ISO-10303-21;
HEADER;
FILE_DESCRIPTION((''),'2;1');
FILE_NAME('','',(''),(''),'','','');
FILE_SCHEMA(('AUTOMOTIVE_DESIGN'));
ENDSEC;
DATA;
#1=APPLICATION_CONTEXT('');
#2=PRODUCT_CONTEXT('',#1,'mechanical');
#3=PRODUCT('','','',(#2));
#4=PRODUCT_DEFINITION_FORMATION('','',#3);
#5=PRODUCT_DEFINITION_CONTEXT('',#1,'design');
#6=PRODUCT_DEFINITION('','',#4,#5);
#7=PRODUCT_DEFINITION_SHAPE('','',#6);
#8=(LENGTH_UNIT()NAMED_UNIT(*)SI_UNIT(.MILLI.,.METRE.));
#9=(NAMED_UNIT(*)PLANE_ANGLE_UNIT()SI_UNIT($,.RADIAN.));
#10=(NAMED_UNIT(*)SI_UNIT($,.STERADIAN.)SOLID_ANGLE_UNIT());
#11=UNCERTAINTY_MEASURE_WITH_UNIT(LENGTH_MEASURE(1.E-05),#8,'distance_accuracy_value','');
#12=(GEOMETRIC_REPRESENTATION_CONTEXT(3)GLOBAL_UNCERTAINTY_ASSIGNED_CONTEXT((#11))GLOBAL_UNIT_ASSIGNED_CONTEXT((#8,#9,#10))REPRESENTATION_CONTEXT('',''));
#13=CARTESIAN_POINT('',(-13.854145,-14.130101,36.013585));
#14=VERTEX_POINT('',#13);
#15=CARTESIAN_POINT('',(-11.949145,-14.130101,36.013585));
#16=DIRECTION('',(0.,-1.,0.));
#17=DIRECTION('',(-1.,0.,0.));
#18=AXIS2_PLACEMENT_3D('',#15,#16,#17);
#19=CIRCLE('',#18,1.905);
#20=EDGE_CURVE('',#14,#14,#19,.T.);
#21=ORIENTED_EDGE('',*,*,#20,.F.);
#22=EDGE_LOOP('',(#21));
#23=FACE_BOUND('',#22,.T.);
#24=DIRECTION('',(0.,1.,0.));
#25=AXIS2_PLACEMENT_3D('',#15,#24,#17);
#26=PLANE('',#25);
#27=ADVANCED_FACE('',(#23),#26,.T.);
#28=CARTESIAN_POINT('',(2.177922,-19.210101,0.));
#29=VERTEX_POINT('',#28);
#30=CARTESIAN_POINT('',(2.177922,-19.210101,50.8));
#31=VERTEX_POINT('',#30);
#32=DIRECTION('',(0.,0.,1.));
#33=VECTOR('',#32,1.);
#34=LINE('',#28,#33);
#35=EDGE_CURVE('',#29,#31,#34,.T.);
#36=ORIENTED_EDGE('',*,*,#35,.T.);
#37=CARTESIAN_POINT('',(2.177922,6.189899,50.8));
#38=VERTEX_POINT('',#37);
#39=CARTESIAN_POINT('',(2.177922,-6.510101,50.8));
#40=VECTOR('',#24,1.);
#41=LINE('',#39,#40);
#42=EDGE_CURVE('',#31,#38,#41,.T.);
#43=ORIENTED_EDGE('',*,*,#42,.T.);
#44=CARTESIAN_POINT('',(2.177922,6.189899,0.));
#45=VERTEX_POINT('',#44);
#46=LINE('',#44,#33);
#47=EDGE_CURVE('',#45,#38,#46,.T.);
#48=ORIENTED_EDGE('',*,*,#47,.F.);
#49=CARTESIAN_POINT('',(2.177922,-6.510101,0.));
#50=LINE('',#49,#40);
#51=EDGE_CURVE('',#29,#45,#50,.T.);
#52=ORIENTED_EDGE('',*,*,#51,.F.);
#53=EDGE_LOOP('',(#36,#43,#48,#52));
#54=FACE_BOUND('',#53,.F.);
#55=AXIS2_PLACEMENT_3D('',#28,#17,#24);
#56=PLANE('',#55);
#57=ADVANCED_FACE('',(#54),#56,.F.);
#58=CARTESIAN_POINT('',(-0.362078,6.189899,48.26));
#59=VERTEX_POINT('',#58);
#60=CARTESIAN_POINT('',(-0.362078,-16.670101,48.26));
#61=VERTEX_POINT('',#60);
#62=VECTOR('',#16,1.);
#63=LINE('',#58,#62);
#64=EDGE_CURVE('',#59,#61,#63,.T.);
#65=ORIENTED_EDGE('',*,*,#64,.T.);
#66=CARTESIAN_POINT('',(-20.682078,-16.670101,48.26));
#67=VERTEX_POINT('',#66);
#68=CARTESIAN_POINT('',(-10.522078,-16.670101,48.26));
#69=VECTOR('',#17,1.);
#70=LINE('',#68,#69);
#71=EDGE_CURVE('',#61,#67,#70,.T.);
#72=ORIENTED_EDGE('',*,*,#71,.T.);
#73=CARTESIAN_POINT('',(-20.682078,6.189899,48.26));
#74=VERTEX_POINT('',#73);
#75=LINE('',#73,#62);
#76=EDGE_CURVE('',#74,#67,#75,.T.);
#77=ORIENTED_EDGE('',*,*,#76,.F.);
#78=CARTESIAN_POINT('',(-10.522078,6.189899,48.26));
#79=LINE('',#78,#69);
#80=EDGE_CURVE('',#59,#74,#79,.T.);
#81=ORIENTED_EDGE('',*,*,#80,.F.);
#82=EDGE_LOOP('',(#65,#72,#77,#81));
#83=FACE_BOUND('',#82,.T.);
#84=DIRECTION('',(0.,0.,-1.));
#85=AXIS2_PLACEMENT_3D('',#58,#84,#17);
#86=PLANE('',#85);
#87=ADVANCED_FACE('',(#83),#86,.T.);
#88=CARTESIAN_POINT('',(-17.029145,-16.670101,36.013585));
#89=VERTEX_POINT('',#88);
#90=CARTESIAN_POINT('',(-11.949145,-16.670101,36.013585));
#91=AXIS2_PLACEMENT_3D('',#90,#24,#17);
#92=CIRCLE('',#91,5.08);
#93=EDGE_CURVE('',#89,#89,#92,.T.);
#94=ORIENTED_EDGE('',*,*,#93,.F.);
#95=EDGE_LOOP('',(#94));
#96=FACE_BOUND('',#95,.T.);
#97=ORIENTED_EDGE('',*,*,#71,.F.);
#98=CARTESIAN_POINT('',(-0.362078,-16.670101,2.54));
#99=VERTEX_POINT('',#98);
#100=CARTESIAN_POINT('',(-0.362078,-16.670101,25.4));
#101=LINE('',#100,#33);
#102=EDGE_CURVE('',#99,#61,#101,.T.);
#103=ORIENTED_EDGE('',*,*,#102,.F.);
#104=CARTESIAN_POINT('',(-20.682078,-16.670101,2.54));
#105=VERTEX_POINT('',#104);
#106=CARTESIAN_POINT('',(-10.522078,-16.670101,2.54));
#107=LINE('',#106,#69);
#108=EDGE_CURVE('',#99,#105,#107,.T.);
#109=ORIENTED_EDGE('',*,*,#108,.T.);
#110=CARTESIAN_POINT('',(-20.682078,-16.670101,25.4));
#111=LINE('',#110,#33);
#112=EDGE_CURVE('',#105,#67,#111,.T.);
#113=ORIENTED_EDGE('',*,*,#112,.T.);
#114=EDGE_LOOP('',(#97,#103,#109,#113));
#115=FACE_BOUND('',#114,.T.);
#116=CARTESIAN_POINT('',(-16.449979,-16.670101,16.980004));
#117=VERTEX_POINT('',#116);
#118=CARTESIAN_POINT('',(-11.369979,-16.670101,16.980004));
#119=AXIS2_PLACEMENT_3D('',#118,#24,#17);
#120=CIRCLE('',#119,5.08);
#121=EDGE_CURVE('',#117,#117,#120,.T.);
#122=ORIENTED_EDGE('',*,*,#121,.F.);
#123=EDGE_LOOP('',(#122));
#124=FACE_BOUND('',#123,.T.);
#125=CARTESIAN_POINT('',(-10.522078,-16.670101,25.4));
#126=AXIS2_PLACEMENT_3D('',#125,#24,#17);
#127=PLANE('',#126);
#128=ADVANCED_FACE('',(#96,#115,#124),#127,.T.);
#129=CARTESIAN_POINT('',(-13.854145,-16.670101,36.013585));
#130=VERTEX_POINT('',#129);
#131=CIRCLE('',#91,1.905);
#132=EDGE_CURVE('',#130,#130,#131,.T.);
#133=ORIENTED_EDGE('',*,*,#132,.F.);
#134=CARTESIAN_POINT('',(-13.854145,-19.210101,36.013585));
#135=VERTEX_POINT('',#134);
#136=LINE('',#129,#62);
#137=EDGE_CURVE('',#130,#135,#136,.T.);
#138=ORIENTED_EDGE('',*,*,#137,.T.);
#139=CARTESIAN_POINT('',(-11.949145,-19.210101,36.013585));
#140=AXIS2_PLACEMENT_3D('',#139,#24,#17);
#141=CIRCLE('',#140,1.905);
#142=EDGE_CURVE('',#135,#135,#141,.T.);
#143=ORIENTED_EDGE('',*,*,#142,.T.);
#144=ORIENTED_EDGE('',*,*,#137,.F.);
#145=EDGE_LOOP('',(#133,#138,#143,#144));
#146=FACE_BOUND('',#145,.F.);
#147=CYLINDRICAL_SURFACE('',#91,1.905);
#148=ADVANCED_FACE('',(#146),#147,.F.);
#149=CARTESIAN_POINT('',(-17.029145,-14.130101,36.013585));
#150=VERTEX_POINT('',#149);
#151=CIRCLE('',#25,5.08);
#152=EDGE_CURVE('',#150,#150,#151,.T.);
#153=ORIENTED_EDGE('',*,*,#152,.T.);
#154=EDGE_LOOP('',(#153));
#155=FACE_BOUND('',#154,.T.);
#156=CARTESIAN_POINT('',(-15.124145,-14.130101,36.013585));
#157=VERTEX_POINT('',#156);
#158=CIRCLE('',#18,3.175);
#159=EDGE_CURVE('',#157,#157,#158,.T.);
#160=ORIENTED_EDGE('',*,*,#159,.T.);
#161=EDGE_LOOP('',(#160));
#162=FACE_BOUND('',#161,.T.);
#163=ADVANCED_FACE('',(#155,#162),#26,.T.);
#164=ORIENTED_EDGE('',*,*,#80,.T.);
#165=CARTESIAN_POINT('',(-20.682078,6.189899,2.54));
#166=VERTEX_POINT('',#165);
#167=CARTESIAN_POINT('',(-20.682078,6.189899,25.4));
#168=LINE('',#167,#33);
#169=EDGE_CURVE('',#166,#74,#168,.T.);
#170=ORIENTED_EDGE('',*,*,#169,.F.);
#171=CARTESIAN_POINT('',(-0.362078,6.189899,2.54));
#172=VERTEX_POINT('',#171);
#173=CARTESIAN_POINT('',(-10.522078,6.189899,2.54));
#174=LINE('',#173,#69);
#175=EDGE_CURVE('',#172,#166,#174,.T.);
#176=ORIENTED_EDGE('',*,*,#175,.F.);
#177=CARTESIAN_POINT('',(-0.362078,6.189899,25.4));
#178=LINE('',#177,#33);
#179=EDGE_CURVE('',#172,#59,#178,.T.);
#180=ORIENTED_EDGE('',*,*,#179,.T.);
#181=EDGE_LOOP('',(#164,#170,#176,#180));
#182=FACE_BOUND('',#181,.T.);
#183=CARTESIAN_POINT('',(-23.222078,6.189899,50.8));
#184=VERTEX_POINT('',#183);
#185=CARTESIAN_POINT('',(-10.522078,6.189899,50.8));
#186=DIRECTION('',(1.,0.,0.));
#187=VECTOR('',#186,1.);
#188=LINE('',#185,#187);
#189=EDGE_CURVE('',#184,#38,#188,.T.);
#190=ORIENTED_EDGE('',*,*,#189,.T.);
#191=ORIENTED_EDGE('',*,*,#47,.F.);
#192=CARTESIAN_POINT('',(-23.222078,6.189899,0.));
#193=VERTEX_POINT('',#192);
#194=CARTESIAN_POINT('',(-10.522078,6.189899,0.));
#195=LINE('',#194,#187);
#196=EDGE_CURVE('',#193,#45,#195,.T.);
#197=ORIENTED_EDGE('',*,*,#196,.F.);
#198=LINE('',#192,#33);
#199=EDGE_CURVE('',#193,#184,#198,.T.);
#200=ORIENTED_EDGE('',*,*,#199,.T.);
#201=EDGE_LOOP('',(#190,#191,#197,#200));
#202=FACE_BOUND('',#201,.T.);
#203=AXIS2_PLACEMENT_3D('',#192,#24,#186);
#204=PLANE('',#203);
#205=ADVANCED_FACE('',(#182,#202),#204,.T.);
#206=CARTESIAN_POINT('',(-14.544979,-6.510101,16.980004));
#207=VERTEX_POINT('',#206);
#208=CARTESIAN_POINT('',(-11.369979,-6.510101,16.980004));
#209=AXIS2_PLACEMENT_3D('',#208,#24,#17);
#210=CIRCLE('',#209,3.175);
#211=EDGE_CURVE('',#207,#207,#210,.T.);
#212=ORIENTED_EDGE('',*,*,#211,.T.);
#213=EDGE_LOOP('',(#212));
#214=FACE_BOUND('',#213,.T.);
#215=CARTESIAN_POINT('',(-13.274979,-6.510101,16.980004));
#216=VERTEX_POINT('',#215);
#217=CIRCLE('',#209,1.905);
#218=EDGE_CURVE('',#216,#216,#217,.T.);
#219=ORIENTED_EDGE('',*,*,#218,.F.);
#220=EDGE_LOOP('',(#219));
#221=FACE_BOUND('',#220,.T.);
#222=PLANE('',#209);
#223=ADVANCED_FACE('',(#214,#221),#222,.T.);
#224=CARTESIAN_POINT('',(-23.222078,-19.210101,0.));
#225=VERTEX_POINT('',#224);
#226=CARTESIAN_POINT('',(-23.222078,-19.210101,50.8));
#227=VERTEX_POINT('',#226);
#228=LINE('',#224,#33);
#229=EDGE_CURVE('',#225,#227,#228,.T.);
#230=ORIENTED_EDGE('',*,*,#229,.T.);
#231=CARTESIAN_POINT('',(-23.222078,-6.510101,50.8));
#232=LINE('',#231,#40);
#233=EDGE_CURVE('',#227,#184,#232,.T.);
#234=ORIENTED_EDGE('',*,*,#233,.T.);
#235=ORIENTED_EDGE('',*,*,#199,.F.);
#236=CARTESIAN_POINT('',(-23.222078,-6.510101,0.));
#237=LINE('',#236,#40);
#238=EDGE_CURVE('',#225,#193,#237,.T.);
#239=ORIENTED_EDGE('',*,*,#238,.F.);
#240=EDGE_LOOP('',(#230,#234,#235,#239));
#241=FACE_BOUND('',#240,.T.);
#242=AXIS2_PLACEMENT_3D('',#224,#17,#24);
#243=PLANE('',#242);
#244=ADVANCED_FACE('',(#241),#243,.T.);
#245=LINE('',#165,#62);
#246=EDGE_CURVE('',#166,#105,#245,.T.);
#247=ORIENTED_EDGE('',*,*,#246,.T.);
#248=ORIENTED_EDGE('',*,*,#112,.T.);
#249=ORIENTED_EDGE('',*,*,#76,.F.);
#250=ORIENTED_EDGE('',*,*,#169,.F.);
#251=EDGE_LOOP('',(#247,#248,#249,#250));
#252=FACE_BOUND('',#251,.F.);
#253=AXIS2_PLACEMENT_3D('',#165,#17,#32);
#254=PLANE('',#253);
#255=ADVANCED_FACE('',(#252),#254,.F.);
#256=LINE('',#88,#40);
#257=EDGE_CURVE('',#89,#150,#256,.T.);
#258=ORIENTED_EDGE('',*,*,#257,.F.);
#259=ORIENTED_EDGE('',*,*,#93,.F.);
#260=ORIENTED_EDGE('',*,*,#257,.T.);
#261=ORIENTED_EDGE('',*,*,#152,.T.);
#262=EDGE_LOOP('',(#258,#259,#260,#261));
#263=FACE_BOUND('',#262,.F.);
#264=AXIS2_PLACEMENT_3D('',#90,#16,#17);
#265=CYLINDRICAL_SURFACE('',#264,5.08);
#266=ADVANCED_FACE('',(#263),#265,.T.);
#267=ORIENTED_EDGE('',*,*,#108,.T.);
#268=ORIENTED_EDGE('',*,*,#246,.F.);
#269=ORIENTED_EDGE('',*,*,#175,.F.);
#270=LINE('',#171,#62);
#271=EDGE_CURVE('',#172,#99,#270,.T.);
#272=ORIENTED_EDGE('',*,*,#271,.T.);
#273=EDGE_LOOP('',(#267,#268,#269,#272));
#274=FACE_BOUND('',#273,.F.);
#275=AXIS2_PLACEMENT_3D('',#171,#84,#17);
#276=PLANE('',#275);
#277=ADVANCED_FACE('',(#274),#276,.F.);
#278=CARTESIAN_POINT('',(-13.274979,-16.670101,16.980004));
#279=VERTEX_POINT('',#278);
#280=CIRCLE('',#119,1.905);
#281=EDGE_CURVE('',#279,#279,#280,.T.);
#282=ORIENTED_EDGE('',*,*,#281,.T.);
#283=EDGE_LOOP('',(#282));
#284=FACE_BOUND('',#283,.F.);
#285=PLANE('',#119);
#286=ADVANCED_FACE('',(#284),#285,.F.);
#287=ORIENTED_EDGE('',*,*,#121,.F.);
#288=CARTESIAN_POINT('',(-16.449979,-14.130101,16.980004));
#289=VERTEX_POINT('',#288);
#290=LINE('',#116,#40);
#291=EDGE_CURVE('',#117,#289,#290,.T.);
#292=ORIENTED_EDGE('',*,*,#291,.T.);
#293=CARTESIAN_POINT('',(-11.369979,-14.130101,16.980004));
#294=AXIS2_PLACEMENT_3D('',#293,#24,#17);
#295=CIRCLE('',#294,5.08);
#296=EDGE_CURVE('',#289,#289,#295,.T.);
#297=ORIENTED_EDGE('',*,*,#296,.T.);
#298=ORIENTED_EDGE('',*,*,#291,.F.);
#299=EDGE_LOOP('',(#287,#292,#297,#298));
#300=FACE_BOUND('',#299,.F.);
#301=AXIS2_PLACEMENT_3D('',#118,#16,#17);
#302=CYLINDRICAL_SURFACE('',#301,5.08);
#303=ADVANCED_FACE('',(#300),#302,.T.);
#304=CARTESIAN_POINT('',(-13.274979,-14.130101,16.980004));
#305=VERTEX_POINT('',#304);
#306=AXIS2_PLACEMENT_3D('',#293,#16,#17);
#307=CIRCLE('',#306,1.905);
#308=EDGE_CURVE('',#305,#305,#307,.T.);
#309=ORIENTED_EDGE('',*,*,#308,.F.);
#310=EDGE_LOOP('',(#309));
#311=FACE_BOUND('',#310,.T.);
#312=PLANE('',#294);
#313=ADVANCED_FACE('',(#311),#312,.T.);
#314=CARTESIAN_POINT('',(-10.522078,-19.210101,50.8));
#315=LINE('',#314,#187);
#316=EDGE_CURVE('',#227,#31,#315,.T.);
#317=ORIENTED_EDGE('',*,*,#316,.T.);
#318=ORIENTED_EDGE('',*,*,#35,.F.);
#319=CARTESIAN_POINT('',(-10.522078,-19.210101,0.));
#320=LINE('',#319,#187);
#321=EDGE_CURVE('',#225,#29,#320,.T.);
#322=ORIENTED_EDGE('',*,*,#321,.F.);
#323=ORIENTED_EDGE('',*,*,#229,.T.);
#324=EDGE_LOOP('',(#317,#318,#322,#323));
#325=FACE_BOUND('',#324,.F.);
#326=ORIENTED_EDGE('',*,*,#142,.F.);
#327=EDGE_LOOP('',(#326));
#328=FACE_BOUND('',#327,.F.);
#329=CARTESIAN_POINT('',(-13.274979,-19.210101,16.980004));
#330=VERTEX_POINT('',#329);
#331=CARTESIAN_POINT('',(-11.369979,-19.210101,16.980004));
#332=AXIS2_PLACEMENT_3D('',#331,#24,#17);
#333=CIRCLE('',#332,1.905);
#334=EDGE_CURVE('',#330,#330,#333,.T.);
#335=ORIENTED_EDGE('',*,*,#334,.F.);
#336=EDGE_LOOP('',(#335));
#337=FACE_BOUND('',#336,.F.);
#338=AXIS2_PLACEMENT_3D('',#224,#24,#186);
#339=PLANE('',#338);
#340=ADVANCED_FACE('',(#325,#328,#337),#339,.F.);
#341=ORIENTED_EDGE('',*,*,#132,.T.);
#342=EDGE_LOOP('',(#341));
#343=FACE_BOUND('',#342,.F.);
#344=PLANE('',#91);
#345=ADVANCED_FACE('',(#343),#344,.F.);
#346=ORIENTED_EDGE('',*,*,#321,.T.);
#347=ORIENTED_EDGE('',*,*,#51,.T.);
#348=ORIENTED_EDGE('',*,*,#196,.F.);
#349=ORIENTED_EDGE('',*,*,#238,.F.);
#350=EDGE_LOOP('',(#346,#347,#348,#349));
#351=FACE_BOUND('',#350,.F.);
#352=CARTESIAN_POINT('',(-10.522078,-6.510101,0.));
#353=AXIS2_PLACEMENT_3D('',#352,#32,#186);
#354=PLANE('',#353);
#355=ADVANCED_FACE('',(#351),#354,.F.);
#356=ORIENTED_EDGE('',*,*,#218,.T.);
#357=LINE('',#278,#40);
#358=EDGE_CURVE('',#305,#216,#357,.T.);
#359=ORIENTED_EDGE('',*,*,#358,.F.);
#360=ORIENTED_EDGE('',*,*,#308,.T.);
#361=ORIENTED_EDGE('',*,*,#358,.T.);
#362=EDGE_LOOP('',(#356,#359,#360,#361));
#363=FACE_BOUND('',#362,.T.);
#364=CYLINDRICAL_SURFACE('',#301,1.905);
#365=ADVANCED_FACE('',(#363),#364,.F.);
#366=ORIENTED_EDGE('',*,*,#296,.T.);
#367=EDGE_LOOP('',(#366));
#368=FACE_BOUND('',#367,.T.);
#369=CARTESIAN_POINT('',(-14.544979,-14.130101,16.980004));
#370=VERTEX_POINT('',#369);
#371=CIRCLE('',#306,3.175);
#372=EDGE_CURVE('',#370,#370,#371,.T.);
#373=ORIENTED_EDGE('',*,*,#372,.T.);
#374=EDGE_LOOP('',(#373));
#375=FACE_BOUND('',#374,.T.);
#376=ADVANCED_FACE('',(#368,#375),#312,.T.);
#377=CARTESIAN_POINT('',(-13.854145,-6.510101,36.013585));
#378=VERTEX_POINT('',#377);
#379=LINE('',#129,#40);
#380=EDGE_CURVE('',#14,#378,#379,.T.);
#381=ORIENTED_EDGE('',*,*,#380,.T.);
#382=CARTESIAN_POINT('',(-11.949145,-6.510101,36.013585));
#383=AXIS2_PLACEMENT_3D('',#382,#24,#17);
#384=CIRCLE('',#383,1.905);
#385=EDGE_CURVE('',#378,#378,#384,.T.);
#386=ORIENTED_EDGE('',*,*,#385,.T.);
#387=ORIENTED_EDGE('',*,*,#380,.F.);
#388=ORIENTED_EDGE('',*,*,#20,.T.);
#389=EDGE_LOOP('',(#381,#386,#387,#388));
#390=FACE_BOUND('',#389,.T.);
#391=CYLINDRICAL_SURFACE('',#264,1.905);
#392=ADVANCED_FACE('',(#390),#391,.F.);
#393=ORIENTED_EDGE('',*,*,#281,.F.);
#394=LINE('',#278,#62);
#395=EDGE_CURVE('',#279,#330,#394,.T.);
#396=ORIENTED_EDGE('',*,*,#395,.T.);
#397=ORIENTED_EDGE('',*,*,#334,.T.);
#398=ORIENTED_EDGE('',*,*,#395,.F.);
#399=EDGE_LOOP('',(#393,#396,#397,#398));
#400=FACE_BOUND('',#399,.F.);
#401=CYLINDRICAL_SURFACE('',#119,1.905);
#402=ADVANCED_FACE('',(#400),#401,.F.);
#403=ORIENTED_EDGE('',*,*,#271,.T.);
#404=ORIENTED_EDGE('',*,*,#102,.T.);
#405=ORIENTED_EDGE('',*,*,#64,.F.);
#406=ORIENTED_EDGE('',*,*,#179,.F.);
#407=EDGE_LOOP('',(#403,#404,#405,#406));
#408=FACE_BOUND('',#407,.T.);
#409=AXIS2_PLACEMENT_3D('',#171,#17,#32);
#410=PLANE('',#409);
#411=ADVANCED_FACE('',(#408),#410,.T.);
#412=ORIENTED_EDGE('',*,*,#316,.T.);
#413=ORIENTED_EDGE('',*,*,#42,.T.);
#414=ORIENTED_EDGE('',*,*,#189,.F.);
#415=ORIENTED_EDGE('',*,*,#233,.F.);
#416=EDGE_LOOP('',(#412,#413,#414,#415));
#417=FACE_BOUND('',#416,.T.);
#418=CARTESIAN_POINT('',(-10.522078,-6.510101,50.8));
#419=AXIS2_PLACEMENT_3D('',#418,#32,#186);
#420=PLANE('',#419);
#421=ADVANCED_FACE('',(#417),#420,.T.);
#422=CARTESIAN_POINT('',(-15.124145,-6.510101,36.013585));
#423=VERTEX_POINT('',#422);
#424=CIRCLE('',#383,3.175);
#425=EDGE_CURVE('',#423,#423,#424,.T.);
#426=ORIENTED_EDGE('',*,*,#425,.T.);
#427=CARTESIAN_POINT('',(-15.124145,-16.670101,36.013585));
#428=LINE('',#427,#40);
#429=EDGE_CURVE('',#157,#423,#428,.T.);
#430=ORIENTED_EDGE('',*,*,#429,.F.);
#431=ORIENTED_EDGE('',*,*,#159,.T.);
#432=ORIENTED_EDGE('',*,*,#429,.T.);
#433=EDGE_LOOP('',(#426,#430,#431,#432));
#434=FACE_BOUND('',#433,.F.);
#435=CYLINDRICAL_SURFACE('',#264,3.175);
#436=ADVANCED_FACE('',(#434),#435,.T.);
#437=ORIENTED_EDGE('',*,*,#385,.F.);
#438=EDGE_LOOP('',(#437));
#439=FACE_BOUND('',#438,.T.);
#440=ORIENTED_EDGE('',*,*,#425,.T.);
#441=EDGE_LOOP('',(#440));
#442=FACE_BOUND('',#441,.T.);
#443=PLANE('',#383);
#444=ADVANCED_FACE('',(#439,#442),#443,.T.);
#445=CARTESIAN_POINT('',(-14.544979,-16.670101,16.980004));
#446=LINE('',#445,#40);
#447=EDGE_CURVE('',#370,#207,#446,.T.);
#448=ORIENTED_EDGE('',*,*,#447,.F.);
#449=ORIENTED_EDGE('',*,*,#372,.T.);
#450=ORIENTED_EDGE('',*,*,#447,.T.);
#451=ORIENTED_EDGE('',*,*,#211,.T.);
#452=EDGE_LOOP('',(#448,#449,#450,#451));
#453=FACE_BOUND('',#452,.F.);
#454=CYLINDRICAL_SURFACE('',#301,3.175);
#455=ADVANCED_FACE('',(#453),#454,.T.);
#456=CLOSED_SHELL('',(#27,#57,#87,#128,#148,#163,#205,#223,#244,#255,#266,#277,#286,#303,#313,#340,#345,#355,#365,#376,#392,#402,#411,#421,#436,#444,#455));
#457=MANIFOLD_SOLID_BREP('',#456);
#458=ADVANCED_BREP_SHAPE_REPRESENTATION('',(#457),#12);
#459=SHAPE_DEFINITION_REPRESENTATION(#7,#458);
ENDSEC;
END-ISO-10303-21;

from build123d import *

# Parameters (mm, degrees)
F0_W     = 25.4
F0_H     = 25.4
F1_DEPTH = 50.8
F2_W     = 20.32
F2_H     = 45.72
F3_DEPTH = 22.86
F4_R     = 3.175
F4_R_2   = 1.905
F5_DEPTH = 10.16
F6_DEPTH = 25.4
F7_R     = 5.08
F8_DEPTH = 2.54


with BuildPart() as f1:
    # F0 (on Top) → F1 (new body)
    with BuildSketch(Plane.XY):
        with Locations((-10.5220779449, -6.5101005034)):
            Rectangle(F0_W, F0_H)
    extrude(amount=F1_DEPTH)

    # F2 (on face) → F3 (cut)
    with BuildSketch(Plane(origin=(0, 6.1898994966, 0), x_dir=(-1, 0, 0), z_dir=(0, 1, 0))):
        with Locations((10.5220779449, 25.4)):
            Rectangle(F2_W, F2_H)
    extrude(amount=-F3_DEPTH, mode=Mode.SUBTRACT)

    # F4 (on face) → F5 (join)
    with BuildSketch(Plane(origin=(0, -16.6701005034, 0), x_dir=(-1, 0, 0), z_dir=(0, 1, 0))):
        with Locations((11.9491452351, 36.013584584)):
            Circle(F4_R)
        with Locations((11.9491452351, 36.013584584)):
            Circle(F4_R_2, mode=Mode.SUBTRACT)
        with Locations((11.369979009, 16.9800035655)):
            Circle(F4_R)
        with Locations((11.369979009, 16.9800035655)):
            Circle(F4_R_2, mode=Mode.SUBTRACT)
    extrude(amount=F5_DEPTH)

    # F6 (cut): faces of the model
    f6_faces = [f1.faces().sort_by_distance(p)[0] for p in [
        (-11.9491452351, -16.6701005034, 36.013584584),
        (-11.369979009, -16.6701005034, 16.9800035655),
    ]]
    extrude(f6_faces, amount=-F6_DEPTH, mode=Mode.SUBTRACT)

    # F7 (on face) → F8 (join)
    with BuildSketch(Plane(origin=(0, -16.6701005034, 0), x_dir=(-1, 0, 0), z_dir=(0, 1, 0))):
        with Locations((11.369979009, 16.9800035655)):
            Circle(F7_R)
        with Locations((11.9491452351, 36.013584584)):
            Circle(F7_R)
    extrude(amount=F8_DEPTH)


solid = f1.part
